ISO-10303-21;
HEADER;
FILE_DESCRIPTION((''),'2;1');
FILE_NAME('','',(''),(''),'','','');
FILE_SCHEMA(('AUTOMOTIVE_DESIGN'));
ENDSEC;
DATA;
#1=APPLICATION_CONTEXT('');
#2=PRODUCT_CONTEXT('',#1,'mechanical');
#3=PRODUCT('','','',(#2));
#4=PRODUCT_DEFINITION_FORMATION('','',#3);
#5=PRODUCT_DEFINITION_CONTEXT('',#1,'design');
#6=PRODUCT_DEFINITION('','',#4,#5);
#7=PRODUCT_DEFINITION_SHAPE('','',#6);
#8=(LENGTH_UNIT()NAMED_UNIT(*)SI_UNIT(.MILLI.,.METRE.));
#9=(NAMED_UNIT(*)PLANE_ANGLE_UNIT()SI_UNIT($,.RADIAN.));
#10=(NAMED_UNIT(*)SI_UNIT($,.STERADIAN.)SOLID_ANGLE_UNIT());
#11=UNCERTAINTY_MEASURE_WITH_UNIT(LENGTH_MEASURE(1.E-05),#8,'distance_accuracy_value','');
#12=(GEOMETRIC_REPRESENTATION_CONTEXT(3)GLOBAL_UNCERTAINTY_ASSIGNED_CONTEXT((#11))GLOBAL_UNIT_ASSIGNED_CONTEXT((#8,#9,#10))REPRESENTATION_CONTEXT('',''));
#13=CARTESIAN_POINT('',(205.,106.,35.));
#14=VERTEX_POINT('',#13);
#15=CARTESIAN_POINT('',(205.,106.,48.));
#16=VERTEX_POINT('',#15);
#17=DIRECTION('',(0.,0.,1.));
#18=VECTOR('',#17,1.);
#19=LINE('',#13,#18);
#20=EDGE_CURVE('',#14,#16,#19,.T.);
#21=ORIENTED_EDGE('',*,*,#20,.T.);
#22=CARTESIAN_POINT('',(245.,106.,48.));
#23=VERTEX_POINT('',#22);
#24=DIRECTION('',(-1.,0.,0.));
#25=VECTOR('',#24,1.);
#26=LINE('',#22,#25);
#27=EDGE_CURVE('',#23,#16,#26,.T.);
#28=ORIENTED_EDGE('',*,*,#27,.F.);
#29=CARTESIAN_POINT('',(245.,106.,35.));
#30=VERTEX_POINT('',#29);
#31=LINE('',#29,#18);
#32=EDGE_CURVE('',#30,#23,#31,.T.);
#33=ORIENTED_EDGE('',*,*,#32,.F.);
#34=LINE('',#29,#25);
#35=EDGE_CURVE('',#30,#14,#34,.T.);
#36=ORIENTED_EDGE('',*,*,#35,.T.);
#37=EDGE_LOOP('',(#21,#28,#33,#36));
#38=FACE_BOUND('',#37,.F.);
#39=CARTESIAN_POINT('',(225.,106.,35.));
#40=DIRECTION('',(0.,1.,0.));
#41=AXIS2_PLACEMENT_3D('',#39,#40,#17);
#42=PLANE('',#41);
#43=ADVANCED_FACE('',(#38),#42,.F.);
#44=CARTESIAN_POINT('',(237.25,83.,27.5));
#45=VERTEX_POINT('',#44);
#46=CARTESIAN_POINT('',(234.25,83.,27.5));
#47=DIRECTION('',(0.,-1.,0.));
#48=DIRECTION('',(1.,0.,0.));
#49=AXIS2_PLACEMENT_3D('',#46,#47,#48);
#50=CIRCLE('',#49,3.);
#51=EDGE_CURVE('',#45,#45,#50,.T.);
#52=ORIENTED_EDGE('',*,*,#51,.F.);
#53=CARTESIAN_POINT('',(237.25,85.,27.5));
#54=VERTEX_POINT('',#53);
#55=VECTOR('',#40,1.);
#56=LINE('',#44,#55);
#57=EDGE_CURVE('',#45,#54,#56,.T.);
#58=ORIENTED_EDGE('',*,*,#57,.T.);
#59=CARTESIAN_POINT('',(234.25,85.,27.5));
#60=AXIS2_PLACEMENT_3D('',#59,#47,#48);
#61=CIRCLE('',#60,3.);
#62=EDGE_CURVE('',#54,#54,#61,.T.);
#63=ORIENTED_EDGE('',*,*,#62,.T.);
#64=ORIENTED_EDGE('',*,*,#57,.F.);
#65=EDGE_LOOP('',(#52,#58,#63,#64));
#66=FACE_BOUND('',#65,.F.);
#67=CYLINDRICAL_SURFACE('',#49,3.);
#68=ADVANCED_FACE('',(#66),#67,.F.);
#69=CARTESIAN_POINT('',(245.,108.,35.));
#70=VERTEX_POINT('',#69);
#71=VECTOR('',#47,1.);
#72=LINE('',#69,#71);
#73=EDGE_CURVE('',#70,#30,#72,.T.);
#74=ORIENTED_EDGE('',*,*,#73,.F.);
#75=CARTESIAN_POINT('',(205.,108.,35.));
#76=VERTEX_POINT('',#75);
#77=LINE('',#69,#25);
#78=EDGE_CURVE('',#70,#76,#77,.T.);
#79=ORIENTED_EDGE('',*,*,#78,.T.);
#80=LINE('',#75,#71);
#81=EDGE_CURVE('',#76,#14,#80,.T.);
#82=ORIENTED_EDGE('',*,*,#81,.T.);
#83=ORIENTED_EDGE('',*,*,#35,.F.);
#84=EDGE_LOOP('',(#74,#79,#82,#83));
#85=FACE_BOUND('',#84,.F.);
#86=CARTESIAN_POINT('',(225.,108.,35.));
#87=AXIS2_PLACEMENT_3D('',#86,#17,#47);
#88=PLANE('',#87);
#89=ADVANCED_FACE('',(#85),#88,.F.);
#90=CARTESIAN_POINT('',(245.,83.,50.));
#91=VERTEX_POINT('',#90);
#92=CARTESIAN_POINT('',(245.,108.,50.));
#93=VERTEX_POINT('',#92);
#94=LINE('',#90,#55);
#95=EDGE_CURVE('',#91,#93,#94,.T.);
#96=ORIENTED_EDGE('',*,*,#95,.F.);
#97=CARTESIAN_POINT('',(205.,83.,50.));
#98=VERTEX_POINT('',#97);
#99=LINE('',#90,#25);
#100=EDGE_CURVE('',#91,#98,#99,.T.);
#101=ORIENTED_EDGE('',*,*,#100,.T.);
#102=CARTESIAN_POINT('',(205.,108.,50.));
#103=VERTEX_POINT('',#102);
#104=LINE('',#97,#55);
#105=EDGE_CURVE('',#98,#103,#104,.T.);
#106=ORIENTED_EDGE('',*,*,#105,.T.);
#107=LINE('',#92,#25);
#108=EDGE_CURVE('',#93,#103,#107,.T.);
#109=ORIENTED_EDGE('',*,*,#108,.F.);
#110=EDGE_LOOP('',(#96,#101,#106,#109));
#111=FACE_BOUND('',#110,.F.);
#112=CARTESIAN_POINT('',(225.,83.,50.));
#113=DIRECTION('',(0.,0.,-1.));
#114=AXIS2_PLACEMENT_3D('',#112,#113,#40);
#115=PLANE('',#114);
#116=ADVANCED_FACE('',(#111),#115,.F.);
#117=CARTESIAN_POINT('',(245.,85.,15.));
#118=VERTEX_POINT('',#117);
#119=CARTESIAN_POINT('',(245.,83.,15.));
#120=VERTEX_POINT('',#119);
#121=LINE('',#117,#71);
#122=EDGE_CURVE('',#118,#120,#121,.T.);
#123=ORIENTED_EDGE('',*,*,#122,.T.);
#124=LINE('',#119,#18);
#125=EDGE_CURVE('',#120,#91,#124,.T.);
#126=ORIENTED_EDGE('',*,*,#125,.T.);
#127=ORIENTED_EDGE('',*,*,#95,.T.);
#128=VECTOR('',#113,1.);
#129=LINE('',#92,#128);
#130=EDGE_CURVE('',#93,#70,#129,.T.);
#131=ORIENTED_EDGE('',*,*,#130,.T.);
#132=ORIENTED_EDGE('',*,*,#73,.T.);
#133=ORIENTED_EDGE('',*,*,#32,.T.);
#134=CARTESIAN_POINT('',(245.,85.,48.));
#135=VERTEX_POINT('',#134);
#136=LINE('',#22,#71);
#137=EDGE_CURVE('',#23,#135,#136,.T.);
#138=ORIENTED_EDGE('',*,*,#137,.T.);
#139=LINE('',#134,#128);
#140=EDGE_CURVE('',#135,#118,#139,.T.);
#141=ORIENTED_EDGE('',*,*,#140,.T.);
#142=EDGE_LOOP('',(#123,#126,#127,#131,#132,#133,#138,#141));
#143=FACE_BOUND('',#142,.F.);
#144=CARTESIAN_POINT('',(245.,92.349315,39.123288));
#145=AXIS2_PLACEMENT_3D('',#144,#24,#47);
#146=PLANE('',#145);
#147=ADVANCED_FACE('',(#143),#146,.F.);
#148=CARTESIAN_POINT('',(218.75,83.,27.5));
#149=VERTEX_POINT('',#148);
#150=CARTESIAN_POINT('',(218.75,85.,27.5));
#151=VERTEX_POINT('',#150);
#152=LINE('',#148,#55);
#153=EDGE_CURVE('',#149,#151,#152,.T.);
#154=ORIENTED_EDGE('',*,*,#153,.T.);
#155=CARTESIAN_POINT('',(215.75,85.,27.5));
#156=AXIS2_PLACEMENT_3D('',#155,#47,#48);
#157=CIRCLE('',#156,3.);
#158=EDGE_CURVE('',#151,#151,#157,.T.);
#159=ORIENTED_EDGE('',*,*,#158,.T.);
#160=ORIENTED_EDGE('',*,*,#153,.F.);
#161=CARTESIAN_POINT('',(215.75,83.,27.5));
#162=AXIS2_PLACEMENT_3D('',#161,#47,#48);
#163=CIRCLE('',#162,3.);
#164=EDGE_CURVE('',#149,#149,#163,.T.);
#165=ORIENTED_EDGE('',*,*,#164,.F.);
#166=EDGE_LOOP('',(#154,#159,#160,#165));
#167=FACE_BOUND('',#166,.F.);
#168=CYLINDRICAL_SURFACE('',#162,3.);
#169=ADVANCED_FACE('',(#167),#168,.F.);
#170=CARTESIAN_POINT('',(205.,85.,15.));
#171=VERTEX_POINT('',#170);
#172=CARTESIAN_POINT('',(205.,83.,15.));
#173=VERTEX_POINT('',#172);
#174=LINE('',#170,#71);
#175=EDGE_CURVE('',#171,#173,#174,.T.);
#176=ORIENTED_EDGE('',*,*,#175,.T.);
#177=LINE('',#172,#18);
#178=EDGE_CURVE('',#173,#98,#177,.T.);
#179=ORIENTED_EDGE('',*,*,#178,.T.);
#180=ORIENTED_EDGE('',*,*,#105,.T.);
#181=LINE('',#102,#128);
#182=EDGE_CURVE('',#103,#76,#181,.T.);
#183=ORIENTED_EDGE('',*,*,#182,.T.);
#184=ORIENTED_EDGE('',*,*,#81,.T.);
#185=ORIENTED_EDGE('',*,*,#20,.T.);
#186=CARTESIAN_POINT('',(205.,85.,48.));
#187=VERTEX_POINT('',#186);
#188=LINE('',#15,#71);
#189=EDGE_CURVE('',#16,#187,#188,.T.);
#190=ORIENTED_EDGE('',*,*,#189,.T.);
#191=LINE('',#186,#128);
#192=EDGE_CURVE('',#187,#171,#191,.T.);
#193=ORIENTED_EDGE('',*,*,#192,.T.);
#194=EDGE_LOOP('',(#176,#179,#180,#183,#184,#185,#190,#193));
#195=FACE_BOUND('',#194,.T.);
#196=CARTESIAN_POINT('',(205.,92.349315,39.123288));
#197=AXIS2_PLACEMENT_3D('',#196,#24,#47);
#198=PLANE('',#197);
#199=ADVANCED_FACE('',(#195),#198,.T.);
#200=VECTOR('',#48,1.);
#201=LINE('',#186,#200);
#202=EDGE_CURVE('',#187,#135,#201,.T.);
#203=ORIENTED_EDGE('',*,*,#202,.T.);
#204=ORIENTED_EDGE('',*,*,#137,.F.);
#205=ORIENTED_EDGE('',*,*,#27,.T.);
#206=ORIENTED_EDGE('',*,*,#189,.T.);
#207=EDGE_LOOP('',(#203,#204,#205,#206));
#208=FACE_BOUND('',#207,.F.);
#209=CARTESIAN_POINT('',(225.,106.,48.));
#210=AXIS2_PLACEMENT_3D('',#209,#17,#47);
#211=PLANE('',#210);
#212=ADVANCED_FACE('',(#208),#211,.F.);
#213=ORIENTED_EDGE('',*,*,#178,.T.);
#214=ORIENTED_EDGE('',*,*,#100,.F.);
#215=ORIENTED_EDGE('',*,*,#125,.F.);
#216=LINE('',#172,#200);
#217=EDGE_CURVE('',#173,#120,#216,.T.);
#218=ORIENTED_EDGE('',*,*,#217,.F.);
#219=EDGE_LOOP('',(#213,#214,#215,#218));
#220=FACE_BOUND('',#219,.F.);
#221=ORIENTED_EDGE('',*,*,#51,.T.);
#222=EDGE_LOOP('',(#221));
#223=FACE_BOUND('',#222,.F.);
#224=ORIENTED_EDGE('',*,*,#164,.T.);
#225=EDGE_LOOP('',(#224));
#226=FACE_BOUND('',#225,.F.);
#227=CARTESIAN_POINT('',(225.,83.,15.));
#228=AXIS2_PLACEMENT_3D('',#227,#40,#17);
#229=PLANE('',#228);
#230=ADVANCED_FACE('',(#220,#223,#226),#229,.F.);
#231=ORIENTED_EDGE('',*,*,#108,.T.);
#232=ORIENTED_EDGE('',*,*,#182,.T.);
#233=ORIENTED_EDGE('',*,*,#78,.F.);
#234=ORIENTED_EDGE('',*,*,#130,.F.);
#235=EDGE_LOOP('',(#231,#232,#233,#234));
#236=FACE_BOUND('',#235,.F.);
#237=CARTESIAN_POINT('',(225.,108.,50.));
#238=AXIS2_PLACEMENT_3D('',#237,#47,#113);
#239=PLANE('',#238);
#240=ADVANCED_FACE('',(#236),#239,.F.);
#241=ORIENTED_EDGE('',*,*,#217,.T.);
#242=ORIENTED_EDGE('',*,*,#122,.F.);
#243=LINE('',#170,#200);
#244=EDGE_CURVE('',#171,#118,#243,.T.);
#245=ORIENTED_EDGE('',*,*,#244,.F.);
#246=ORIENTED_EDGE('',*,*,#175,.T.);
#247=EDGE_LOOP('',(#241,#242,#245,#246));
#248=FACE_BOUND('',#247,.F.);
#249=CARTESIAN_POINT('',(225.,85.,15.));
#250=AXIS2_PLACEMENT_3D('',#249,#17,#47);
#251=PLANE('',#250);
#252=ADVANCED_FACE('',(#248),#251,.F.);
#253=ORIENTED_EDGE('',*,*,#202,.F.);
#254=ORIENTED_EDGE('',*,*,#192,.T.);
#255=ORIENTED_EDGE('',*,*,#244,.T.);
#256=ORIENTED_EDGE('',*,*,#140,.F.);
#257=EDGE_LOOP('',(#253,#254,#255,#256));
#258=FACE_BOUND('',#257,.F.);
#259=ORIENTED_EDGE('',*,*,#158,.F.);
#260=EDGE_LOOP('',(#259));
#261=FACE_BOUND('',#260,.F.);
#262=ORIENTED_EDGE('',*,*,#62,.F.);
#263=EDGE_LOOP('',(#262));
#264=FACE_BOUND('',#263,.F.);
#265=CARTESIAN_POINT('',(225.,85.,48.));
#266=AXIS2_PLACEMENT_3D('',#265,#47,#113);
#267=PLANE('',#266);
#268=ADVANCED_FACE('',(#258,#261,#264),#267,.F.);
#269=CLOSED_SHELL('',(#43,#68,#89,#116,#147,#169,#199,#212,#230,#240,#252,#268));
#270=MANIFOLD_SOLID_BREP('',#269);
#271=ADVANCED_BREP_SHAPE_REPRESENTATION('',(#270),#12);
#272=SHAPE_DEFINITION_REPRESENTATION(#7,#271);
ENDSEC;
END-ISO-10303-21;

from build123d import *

# Parameters (mm, degrees)
PAD004_DEPTH = 20
SKETCH013_R  = 3
HOLE_DEPTH   = 25
HOLE_TIPS_R  = 3


with BuildPart() as part:
    # Sketch014 → Pad004 (new body, symmetric)
    with BuildSketch(Plane.YZ):
        Polygon((0, -35), (0, 0), (25, 0), (25, -15), (23, -15), (23, -2), (2, -2), (2, -35), align=None)
    extrude(amount=PAD004_DEPTH, both=True)

    # Sketch013 → Hole (cut)
    with BuildSketch(Plane.XZ):
        with Locations((-9.25, -22.5)):
            Circle(SKETCH013_R)
        with Locations((9.25, -22.5)):
            Circle(SKETCH013_R)
    extrude(amount=-HOLE_DEPTH, mode=Mode.SUBTRACT)

    # Hole tips → Hole tip 1 section 0
    with BuildSketch(Plane.XZ.offset(-25), mode=Mode.PRIVATE) as hole_tip_1_s0:
        with Locations((-9.25, -22.5)):
            Circle(HOLE_TIPS_R)
    loft([hole_tip_1_s0.sketch, Vertex(-9.25, 26.802582, -22.5)], mode=Mode.SUBTRACT)

    # Hole tips → Hole tip 2 section 0
    with BuildSketch(Plane.XZ.offset(-25), mode=Mode.PRIVATE) as hole_tip_2_s0:
        with Locations((9.25, -22.5)):
            Circle(HOLE_TIPS_R)
    loft([hole_tip_2_s0.sketch, Vertex(9.25, 26.802582, -22.5)], mode=Mode.SUBTRACT)


with BuildPart() as part_1:
    # Body009 placement: moved
    add(part.part.moved(Location((0, 83, 0))))


with BuildPart() as part_2:
    # Clone009 placement: moved
    add(part_1.part.moved(Location((0, -83, 0))))


with BuildPart() as part_3:
    # Body012 placement: moved
    add(part_2.part.moved(Location((225, 83, 50))))


solid = part_3.part
